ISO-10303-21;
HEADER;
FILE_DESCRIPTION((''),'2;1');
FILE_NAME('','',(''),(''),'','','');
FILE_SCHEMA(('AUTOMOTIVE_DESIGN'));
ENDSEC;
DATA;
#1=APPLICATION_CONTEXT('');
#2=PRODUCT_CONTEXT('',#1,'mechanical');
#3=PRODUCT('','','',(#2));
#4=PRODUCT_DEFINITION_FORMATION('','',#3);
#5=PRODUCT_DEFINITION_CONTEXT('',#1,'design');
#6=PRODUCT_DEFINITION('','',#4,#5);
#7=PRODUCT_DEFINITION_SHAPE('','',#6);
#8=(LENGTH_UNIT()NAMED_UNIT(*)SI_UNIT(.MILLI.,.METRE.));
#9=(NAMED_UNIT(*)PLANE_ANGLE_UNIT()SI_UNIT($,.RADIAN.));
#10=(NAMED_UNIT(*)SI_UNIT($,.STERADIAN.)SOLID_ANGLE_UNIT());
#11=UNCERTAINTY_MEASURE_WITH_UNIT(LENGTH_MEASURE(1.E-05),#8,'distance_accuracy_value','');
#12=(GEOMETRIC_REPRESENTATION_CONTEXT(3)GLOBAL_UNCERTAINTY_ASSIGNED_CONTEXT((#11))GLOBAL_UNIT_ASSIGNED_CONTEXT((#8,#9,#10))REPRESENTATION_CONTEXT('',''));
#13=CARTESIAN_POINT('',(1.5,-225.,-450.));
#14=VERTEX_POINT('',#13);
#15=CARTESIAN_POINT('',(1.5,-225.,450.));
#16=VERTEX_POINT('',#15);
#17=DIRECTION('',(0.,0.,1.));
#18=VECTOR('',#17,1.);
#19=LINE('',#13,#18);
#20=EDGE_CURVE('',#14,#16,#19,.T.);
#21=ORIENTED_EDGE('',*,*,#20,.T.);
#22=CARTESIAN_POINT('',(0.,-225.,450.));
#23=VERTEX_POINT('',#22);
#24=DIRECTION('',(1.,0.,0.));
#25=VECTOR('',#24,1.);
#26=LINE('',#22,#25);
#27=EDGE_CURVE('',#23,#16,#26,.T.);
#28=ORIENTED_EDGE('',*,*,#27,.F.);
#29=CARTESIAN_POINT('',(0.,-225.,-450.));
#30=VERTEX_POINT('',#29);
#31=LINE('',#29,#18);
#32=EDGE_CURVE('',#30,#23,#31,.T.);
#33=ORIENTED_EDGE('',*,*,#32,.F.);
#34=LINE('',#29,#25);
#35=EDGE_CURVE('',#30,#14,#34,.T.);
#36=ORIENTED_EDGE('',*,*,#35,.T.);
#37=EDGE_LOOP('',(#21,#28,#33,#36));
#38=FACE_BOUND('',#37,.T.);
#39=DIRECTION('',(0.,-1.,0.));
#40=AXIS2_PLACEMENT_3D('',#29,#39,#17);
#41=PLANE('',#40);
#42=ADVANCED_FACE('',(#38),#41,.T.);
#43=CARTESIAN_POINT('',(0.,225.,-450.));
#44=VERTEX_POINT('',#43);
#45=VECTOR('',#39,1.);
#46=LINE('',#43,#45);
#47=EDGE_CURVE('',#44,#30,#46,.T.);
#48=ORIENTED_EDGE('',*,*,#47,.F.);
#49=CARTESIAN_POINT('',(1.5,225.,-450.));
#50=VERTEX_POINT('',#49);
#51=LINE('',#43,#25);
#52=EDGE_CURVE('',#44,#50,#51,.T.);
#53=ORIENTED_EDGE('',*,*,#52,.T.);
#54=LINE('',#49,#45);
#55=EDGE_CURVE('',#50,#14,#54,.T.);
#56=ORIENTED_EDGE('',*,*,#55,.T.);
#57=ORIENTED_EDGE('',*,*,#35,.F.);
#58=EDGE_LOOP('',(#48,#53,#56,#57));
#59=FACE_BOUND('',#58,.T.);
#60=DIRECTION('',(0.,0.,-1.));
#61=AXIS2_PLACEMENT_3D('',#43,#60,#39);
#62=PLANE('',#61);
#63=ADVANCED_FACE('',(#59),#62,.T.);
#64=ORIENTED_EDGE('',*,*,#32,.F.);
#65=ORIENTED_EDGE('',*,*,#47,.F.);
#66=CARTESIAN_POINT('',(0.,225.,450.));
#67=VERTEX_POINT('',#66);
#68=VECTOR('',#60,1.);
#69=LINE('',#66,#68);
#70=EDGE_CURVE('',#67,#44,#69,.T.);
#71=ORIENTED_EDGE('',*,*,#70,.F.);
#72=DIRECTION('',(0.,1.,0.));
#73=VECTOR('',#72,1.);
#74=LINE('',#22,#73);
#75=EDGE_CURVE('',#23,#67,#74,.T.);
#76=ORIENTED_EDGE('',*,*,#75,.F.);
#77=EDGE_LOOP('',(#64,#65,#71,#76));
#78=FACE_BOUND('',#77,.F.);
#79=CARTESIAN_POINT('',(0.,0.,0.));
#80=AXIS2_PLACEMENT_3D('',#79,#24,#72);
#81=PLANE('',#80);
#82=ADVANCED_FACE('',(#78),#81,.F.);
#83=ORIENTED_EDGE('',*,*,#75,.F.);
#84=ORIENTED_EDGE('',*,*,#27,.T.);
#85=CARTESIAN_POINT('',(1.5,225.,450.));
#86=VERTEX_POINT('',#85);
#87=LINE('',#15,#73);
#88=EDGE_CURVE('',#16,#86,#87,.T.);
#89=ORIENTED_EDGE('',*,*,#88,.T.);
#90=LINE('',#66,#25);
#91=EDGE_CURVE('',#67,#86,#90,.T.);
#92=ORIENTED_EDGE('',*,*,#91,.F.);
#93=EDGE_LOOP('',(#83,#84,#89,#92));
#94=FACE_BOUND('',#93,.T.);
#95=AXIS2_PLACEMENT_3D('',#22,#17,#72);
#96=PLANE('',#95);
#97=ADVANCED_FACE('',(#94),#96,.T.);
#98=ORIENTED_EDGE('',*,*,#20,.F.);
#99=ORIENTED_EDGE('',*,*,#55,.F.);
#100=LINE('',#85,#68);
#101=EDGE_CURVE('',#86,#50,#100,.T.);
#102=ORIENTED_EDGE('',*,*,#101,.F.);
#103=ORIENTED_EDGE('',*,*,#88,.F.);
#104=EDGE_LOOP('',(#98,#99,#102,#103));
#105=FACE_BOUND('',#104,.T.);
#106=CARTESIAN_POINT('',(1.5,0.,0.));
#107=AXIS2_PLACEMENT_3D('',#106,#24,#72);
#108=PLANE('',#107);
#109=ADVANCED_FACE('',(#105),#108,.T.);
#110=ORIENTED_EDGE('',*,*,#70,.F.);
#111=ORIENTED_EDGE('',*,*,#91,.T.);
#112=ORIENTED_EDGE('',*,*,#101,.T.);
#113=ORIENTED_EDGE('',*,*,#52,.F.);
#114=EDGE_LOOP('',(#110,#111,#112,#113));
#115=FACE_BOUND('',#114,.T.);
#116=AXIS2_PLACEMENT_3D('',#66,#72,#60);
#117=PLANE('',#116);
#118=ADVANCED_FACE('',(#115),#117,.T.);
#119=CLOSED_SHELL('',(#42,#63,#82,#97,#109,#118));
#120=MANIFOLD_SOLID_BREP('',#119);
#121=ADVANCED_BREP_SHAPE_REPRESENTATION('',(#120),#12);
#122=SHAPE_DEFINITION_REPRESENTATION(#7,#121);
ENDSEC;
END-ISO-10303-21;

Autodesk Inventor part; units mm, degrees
ref_plane "YZ Plane" through (0, 0, 0) normal (1, 0, 0) x (0, 1, 0)
ref_plane "XZ Plane" through (0, 0, 0) normal (0, 1, 0) x (-1, 0, 0)
ref_plane "XY Plane" through (0, 0, 0) normal (0, 0, 1) x (1, 0, 0)
sketch "Sketch1" plane through (0, 0, 0) normal (1, 0, 0) x (0, 1, 0)
  line L0 (-225, 450) -> (225, 450)
  line L1 (225, 450) -> (225, -450)
  line L2 (225, -450) -> (-225, -450)
  line L3 (-225, -450) -> (-225, 450)
  line L4 (-225, 450) -> (225, -450) construction
  line L5 (225, 450) -> (-225, -450) construction
  point P0 (0, 0)
  dimension "d0" = 450
  dimension "d1" = 900
extrude "Extrusion1" add sketch "Sketch1" along normal blind 1.5
properties part number "AUX_LARGO" material "Steel, Mild, Welded"
